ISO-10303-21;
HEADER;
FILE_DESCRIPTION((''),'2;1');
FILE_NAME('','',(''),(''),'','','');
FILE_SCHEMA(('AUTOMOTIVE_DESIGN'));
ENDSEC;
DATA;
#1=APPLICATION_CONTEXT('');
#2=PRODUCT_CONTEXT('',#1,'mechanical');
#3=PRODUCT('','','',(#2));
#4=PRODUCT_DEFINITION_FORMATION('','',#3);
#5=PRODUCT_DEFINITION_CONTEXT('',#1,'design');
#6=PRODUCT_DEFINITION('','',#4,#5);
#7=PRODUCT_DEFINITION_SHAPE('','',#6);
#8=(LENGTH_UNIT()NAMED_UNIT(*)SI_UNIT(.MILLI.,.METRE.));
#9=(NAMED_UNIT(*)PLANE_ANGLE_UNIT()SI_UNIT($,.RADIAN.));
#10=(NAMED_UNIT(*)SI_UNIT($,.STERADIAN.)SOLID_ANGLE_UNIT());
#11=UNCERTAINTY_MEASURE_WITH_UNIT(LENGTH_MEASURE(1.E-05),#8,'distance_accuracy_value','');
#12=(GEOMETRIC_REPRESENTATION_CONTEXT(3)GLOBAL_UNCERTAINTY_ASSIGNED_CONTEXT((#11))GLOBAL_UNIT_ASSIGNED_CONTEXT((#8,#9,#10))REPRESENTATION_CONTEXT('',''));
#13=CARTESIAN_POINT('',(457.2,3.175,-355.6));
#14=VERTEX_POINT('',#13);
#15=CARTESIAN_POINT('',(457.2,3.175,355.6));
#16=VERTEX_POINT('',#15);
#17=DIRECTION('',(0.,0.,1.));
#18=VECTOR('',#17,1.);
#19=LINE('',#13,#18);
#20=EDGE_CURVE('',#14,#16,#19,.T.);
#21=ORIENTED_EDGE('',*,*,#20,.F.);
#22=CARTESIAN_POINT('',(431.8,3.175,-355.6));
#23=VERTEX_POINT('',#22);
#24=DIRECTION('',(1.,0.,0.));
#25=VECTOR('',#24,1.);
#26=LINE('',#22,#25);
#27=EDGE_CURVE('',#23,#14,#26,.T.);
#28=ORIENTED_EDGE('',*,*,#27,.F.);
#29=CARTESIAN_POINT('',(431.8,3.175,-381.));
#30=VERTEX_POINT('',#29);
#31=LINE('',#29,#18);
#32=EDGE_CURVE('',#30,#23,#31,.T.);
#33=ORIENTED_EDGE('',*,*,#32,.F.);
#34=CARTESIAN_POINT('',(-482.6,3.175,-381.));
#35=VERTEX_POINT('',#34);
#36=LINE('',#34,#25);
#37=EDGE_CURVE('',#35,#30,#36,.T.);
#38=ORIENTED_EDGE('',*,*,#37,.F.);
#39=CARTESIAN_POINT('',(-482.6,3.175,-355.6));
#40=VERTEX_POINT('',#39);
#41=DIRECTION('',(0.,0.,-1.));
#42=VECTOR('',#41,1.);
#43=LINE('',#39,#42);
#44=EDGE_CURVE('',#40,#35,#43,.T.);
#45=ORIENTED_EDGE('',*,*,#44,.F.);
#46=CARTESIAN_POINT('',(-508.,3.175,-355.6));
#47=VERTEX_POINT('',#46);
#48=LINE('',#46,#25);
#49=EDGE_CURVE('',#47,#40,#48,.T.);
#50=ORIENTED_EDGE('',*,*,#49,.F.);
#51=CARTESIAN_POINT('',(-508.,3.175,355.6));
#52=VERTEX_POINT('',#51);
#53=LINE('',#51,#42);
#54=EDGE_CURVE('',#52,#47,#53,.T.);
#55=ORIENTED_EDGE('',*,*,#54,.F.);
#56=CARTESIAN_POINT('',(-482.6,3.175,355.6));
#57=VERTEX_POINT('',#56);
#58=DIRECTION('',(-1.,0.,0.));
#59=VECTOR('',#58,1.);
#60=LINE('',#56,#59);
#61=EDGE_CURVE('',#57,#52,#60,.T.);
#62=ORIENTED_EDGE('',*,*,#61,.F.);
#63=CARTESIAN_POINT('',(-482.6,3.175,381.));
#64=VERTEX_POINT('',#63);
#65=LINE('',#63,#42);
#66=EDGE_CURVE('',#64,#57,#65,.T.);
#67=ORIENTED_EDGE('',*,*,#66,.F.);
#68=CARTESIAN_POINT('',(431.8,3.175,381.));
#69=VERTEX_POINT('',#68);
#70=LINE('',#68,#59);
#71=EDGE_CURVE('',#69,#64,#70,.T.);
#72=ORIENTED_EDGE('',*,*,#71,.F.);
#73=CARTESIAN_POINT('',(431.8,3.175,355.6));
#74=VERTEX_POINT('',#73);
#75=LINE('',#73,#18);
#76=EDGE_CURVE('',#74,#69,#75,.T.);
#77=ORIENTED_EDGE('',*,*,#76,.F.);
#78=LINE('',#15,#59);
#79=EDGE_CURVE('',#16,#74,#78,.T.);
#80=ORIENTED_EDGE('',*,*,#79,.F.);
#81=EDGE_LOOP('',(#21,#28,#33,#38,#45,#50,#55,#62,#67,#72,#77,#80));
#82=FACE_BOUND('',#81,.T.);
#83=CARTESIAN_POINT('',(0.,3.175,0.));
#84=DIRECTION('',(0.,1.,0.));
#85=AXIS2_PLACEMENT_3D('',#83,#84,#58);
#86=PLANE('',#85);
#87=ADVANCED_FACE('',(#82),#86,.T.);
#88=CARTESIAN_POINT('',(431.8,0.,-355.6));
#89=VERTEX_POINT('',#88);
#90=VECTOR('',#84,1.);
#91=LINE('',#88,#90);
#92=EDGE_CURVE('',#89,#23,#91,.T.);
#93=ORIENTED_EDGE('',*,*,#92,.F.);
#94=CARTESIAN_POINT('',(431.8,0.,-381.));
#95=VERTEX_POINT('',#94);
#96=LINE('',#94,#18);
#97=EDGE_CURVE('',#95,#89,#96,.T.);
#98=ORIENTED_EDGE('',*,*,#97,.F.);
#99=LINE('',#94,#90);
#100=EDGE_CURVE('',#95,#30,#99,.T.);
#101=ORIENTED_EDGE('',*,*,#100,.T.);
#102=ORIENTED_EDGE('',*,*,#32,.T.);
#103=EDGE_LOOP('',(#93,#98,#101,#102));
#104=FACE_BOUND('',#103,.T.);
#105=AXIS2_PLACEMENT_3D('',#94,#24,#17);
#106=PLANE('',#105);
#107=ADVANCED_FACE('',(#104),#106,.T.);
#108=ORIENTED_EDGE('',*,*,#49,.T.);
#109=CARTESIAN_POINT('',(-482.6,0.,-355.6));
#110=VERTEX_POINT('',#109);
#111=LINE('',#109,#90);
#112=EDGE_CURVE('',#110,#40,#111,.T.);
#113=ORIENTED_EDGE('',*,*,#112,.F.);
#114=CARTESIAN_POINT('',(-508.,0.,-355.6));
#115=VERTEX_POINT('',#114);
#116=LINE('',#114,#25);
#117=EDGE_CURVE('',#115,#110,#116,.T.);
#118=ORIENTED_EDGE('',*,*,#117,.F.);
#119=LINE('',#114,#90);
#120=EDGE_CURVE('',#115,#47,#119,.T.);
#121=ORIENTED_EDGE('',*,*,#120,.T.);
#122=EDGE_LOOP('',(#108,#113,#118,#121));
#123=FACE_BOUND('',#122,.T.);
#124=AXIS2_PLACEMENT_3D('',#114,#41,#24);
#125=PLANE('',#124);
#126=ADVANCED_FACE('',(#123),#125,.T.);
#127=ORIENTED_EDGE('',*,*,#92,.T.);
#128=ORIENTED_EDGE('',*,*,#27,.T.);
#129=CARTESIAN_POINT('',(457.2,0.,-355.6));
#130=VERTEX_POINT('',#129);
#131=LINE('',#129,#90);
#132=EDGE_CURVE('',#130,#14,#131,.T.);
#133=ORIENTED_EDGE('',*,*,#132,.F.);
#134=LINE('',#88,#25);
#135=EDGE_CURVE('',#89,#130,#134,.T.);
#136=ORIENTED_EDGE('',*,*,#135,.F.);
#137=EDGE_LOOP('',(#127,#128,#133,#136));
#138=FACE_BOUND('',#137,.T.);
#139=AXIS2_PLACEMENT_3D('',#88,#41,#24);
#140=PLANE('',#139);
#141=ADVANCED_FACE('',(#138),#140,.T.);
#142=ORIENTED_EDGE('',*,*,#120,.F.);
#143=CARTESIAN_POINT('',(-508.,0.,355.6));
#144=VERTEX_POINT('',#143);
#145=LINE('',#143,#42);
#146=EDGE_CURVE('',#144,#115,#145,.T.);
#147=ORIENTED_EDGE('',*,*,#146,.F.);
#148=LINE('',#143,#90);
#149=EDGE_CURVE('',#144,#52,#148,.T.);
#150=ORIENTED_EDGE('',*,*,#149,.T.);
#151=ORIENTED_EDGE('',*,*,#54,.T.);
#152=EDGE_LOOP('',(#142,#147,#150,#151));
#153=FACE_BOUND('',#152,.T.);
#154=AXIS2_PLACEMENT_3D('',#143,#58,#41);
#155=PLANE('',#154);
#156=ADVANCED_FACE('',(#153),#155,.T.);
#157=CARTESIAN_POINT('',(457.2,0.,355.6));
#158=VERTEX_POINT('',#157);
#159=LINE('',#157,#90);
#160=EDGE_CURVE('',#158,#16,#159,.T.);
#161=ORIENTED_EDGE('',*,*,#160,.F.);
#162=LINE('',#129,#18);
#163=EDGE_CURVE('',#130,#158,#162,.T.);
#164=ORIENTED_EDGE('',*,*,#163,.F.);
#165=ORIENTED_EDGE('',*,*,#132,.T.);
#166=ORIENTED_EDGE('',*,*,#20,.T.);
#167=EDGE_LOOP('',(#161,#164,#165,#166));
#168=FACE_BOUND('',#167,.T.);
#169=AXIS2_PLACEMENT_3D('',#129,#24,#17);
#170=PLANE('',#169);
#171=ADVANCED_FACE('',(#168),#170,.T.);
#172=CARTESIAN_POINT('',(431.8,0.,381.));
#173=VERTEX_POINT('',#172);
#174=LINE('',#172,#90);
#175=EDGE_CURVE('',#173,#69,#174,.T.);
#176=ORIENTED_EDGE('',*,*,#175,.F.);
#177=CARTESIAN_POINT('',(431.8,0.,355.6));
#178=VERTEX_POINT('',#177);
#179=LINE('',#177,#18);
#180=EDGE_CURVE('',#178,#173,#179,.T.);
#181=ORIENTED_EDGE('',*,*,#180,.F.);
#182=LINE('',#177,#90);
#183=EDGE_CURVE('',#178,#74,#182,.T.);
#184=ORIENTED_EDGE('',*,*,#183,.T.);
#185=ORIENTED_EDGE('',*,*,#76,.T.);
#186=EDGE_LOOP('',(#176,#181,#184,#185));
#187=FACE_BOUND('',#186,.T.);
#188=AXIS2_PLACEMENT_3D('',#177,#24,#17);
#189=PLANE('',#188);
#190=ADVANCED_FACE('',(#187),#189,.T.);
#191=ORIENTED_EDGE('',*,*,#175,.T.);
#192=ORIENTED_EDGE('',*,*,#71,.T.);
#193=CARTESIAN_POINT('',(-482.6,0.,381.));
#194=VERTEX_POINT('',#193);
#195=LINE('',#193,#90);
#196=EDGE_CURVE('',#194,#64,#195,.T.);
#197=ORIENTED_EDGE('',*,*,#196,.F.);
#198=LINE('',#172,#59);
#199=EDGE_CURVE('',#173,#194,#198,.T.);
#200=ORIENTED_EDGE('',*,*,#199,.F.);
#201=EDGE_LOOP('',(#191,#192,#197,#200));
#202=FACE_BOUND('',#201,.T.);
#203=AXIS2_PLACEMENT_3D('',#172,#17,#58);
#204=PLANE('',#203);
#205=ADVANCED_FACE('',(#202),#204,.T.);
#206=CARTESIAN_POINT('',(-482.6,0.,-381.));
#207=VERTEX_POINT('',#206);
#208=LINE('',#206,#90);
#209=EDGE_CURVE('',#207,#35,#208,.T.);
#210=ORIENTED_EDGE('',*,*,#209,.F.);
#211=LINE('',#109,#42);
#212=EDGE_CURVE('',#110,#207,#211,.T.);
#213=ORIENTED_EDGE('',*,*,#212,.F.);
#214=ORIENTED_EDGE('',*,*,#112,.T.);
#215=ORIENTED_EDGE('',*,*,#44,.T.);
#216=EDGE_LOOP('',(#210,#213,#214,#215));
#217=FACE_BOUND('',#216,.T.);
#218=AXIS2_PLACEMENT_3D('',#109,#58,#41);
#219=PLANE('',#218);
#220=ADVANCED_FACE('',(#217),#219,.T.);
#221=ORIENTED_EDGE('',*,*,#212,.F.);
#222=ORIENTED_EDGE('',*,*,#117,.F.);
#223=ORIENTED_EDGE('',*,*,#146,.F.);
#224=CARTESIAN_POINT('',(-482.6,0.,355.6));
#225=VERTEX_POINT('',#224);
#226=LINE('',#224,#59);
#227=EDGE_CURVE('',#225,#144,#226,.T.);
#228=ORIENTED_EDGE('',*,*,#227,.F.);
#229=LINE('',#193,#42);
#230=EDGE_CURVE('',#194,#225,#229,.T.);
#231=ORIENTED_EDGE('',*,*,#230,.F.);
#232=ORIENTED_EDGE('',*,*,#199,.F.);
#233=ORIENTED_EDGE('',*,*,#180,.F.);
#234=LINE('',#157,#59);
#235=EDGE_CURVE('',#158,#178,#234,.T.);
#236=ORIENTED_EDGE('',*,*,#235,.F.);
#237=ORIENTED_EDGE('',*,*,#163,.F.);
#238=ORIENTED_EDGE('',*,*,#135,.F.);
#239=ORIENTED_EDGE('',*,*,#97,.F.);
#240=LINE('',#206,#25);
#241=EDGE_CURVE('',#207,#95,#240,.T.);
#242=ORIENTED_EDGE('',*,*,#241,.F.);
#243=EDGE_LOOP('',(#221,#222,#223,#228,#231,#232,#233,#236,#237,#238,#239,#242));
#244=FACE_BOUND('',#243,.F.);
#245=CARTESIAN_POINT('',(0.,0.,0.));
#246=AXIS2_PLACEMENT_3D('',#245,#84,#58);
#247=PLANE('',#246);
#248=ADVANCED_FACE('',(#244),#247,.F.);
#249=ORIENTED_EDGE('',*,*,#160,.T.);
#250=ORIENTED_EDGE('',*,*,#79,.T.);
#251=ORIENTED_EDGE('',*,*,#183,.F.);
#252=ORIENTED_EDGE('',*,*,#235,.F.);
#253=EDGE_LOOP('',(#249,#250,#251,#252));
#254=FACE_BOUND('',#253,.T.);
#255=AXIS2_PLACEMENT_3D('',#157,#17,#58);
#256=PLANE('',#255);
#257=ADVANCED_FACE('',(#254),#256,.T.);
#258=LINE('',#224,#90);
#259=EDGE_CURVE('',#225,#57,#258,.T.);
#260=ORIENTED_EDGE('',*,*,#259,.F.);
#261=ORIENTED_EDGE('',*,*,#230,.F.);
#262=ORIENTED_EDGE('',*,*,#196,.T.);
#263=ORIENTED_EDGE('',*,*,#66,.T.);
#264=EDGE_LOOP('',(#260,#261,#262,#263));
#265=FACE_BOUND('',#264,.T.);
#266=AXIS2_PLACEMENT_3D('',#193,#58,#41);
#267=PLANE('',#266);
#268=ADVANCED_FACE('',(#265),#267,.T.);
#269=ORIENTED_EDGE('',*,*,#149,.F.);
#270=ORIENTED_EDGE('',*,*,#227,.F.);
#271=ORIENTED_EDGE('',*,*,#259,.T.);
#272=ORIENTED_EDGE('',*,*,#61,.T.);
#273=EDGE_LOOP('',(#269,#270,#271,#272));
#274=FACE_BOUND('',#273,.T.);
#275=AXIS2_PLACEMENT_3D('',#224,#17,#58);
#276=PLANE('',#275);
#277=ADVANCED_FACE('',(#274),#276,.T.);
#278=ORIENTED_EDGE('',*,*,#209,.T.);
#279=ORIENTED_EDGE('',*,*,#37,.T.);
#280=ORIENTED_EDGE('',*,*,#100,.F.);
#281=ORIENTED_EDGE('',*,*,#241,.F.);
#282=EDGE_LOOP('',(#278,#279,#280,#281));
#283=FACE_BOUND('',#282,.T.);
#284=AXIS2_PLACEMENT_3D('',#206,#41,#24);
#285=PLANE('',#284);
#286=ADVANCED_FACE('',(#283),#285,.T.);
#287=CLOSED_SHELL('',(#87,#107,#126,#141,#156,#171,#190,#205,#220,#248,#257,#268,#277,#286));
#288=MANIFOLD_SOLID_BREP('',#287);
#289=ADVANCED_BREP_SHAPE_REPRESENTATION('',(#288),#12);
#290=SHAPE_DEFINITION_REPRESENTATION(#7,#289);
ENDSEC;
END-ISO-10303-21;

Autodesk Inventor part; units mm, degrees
ref_plane "YZ Plane" through (0, 0, 0) normal (1, 0, 0) x (0, 1, 0)
ref_plane "XZ Plane" through (0, 0, 0) normal (0, 1, 0) x (-1, 0, 0)
ref_plane "XY Plane" through (0, 0, 0) normal (0, 0, 1) x (1, 0, 0)
sketch "Sketch1" plane through (0, 0, 0) normal (0, 1, 0) x (-1, 0, 0)
  line L0 (508, 355.6) -> (508, -355.6)
  line L1 (508, -355.6) -> (482.6, -355.6)
  line L2 (482.6, -355.6) -> (482.6, -381)
  line L3 (482.6, -381) -> (-431.8, -381)
  line L4 (-431.8, -381) -> (-431.8, -355.6)
  line L5 (-431.8, -355.6) -> (-457.2, -355.6)
  line L6 (-457.2, -355.6) -> (-457.2, 355.6)
  line L7 (-457.2, 355.6) -> (-431.8, 355.6)
  line L8 (-431.8, 355.6) -> (-431.8, 381)
  line L9 (-431.8, 381) -> (482.6, 381)
  line L10 (482.6, 381) -> (482.6, 355.6)
  line L11 (482.6, 355.6) -> (508, 355.6)
  point P0 (0, 0)
  dimension "d0" = 711.2
  dimension "d1" = 25.4
  dimension "d2" = 25.4
  dimension "d4" = 25.4
  dimension "d5" = 25.4
  dimension "d6" = 711.2
  dimension "d7" = 25.4
  dimension "d8" = 25.4
  dimension "d10" = 25.4
  dimension "d11" = 508
  dimension "d12" = 381
  dimension "d15" = 914.4
extrude "Extrusion1" add sketch "Sketch1" along normal blind 3.175
properties part number "cart plywood"
